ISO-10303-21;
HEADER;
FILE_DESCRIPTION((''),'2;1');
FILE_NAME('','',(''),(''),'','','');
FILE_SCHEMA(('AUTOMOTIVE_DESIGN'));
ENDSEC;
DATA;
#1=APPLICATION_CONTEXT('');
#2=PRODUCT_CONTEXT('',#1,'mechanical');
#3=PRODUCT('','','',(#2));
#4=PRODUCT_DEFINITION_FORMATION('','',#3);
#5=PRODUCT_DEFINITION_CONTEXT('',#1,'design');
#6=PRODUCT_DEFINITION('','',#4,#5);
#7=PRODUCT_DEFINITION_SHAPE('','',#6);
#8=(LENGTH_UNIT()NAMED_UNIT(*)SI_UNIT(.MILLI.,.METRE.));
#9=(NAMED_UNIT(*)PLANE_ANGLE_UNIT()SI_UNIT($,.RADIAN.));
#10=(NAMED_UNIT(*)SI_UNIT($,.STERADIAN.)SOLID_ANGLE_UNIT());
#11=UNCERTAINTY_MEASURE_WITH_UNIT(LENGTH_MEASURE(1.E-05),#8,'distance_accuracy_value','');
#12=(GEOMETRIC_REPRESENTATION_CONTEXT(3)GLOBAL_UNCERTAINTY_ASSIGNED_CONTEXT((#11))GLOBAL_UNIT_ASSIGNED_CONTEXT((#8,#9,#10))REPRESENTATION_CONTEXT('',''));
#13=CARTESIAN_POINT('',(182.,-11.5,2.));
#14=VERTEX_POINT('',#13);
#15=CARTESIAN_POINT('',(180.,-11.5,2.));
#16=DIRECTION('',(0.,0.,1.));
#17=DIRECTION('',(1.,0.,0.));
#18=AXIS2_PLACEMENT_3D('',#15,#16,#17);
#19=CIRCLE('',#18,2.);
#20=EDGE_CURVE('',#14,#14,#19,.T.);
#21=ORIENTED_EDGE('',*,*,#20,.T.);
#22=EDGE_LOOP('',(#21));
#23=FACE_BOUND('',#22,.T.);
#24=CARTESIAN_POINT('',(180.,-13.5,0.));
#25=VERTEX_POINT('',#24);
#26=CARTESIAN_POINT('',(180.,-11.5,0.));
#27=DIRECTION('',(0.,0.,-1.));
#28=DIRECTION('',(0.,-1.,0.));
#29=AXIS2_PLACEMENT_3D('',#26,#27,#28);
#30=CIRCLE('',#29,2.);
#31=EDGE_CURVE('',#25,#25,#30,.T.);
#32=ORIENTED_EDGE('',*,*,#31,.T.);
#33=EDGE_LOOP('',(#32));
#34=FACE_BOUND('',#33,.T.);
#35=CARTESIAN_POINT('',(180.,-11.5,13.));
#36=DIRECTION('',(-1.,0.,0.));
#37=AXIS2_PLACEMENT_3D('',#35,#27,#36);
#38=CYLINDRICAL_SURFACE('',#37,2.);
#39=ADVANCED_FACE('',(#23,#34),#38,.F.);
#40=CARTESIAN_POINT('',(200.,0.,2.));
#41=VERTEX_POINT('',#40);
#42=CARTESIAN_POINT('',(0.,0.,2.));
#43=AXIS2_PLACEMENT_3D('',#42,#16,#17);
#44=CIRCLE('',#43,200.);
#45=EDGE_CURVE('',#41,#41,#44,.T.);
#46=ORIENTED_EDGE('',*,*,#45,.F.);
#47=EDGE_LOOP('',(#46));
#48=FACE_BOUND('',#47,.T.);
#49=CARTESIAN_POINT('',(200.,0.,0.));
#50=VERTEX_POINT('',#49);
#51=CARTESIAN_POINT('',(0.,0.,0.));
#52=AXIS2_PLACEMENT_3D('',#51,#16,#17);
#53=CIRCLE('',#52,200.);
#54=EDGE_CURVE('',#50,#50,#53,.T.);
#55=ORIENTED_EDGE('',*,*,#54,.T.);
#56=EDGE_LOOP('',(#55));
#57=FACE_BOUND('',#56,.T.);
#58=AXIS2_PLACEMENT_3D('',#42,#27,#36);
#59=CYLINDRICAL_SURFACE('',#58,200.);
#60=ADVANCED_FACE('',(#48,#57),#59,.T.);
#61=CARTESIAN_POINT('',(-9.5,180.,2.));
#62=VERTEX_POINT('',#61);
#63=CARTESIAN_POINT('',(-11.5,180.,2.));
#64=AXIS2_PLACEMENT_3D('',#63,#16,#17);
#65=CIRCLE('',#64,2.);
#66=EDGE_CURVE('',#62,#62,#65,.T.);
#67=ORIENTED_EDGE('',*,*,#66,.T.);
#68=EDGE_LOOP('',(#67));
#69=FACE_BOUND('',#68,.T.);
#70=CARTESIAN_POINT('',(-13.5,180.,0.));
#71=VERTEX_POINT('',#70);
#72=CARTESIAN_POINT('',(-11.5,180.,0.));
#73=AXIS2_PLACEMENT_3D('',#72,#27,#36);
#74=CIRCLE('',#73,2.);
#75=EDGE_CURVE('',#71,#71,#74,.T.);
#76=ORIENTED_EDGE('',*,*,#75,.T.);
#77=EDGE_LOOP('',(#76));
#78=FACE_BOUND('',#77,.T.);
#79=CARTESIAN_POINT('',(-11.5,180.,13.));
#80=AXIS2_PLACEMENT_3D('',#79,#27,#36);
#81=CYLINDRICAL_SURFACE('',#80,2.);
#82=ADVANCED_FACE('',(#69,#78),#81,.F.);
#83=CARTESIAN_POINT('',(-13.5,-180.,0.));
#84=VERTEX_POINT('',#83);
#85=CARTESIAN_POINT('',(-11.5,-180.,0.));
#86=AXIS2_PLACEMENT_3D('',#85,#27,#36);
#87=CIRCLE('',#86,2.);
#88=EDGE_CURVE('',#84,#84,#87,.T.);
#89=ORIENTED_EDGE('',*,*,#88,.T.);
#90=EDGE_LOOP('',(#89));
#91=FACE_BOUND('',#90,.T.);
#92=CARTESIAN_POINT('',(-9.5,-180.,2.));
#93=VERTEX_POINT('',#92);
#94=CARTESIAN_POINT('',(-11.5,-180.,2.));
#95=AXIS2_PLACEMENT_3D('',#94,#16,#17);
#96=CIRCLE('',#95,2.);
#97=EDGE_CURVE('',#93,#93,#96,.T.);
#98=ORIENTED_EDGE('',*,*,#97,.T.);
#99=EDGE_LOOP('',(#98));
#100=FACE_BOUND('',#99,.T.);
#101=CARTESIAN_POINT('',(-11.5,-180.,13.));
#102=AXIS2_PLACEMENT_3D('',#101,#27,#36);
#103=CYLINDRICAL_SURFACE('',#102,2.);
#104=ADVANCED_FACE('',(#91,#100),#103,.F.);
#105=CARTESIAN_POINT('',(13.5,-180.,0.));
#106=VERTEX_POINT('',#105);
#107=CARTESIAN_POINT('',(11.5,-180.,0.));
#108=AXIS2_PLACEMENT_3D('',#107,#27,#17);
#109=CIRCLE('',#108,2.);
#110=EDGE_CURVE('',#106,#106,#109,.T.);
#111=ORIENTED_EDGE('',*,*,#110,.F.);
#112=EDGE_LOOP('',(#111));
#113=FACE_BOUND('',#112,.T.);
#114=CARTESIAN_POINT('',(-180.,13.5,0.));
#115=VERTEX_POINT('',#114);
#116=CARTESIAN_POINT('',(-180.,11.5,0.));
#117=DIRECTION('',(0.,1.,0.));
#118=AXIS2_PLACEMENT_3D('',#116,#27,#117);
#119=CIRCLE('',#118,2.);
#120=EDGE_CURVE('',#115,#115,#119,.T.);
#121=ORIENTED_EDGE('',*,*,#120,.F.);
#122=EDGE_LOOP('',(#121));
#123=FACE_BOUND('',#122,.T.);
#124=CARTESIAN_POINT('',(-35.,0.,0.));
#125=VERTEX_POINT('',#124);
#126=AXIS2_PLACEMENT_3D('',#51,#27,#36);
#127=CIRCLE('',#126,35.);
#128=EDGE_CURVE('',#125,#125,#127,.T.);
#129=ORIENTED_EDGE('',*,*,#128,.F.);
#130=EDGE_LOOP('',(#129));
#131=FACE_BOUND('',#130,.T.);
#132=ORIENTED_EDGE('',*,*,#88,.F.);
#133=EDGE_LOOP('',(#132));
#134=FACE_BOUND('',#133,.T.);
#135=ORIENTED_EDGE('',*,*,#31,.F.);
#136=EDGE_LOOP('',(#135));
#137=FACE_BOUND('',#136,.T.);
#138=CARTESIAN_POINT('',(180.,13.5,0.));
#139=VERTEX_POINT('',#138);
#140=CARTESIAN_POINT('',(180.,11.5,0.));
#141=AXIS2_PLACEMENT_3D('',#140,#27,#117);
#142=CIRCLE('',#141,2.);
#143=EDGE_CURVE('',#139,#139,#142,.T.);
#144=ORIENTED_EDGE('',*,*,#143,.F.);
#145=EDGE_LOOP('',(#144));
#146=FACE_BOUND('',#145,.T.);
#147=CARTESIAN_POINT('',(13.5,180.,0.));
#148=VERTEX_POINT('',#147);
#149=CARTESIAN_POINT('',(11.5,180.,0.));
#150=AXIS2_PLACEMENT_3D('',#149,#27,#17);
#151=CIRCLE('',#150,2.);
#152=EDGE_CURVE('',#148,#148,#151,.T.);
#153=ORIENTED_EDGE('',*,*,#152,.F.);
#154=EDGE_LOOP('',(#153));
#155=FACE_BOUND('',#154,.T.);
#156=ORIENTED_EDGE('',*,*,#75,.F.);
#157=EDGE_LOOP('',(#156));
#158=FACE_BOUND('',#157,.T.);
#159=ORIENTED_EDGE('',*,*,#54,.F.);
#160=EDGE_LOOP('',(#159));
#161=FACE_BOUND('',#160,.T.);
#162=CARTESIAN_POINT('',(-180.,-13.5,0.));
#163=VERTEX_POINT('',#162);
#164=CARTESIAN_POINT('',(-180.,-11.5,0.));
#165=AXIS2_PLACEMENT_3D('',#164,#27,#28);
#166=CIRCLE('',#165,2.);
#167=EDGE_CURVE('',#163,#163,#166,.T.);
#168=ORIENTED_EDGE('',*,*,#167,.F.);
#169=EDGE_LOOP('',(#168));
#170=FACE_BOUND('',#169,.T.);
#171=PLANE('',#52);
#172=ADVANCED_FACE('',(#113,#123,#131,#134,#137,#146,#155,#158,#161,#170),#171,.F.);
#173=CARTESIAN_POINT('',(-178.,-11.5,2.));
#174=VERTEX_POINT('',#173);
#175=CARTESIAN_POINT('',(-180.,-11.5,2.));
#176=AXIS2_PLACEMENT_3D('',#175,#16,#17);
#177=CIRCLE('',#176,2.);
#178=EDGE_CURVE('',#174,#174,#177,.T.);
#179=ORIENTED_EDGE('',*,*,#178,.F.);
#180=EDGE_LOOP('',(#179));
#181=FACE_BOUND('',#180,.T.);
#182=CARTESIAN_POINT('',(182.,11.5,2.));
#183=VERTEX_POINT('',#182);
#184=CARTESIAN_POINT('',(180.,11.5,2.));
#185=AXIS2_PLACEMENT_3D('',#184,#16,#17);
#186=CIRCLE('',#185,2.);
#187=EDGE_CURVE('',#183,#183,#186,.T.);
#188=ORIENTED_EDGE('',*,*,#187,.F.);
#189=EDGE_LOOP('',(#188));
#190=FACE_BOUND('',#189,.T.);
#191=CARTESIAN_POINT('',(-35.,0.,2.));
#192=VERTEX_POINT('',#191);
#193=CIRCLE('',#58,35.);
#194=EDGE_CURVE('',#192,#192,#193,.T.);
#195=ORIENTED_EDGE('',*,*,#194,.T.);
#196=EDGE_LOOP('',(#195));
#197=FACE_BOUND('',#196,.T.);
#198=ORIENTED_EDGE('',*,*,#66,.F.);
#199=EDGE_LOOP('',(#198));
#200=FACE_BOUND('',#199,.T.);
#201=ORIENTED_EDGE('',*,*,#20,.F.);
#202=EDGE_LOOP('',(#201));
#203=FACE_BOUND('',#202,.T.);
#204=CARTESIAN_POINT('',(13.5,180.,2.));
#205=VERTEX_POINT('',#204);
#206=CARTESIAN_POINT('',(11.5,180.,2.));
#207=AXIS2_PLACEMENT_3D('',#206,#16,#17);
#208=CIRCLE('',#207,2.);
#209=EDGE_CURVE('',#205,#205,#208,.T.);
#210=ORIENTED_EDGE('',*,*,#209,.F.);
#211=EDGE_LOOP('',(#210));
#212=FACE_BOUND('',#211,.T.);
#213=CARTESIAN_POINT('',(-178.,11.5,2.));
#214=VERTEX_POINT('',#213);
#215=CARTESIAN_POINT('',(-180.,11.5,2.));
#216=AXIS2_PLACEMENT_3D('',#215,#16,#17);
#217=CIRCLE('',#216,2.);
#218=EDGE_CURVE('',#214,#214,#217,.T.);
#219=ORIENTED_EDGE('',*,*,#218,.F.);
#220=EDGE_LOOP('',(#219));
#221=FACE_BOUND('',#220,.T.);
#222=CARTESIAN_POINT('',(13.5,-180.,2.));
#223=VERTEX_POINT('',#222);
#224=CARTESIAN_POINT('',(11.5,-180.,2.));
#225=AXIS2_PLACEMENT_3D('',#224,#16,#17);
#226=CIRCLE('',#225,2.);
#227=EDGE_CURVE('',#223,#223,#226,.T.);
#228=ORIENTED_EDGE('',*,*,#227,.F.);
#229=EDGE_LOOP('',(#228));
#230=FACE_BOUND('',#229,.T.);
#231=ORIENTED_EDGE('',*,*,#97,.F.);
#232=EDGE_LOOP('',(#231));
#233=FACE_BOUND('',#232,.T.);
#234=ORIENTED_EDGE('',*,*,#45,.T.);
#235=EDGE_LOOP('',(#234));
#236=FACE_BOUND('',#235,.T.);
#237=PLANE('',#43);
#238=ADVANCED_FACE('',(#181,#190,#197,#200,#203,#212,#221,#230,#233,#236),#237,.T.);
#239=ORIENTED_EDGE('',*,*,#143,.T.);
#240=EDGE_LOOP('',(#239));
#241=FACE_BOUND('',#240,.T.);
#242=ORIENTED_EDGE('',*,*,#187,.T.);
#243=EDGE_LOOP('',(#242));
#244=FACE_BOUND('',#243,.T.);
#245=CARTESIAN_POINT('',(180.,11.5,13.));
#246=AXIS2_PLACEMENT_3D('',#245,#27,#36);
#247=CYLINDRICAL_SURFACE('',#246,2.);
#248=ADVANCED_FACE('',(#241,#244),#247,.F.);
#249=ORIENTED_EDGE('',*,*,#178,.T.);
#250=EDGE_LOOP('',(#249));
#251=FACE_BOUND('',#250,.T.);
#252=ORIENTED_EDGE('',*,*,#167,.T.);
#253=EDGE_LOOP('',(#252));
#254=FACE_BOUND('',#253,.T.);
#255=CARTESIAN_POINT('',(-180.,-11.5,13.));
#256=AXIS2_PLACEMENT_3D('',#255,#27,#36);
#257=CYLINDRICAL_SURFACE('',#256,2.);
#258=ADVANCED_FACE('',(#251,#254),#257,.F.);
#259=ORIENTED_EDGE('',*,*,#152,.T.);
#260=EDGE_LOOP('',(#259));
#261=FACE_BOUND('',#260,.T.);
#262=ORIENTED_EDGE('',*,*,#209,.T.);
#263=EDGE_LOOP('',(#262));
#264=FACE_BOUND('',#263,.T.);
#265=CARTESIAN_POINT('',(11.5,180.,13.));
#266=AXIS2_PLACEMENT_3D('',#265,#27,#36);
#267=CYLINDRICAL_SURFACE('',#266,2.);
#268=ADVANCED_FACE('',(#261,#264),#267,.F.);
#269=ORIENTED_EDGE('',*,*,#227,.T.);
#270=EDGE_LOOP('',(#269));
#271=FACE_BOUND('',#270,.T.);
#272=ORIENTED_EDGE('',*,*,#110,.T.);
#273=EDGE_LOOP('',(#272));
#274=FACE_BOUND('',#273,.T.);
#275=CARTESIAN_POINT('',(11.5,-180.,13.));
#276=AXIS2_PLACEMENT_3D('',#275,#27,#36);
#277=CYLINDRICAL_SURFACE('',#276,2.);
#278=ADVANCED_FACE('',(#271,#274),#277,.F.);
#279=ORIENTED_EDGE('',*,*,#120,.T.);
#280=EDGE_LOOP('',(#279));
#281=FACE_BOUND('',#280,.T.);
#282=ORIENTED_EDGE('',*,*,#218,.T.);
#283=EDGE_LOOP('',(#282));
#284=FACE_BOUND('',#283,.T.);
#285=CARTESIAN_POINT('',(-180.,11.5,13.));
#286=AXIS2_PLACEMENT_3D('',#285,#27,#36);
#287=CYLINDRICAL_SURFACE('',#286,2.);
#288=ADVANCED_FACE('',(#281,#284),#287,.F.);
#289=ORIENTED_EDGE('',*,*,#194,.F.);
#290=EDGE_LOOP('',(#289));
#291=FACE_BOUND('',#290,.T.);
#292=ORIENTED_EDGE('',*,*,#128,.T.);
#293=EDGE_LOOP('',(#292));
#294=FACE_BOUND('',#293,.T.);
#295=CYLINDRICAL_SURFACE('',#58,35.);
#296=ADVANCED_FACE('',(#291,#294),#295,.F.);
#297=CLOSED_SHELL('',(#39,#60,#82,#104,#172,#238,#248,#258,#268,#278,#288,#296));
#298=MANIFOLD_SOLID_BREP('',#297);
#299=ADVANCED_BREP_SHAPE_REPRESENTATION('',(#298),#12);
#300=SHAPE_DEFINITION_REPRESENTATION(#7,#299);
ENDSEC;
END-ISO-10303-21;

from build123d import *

# Parameters (mm, degrees)
SKETCH1_R           = 200
BOSS_EXTRUDE1_DEPTH = 2
SKETCH2_R           = 2
CUT_EXTRUDE1_DEPTH  = 13
CIRPATTERN1_COUNT   = 4
SKETCH4_R           = 35
CUT_EXTRUDE3_DEPTH  = 283.849783454


with BuildPart() as part:
    # Sketch1 → Boss-Extrude1 (new body)
    with BuildSketch(Plane.XY):
        Circle(SKETCH1_R)
    extrude(amount=BOSS_EXTRUDE1_DEPTH)

    # Sketch2 → Cut-Extrude1 (cut)
    with BuildSketch(Plane(origin=(0, 0, 0), x_dir=(-1, 0, 0), z_dir=(0, 0, -1))):
        with Locations((11.5, 180)):
            Circle(SKETCH2_R)
        with Locations(Location((-11.5, 180, 0), (0, 0, 180))):
            Circle(SKETCH2_R)
    cut_extrude1 = extrude(amount=-CUT_EXTRUDE1_DEPTH, mode=Mode.SUBTRACT)

    # CirPattern1: Cut-Extrude1 ×4 about axis
    cirpattern1_axis = Axis((0, 0, 0), (0, 0, 1))
    for i in range(1, CIRPATTERN1_COUNT):
        add(cut_extrude1.rotate(cirpattern1_axis, i * 360 / CIRPATTERN1_COUNT), mode=Mode.SUBTRACT)

    # Sketch4 → Cut-Extrude3 (cut, through all)
    with BuildSketch(Plane(origin=(0, 0, 0), x_dir=(-1, 0, 0), z_dir=(0, 0, -1))):
        Circle(SKETCH4_R)
    extrude(amount=-CUT_EXTRUDE3_DEPTH, mode=Mode.SUBTRACT)


solid = part.part
